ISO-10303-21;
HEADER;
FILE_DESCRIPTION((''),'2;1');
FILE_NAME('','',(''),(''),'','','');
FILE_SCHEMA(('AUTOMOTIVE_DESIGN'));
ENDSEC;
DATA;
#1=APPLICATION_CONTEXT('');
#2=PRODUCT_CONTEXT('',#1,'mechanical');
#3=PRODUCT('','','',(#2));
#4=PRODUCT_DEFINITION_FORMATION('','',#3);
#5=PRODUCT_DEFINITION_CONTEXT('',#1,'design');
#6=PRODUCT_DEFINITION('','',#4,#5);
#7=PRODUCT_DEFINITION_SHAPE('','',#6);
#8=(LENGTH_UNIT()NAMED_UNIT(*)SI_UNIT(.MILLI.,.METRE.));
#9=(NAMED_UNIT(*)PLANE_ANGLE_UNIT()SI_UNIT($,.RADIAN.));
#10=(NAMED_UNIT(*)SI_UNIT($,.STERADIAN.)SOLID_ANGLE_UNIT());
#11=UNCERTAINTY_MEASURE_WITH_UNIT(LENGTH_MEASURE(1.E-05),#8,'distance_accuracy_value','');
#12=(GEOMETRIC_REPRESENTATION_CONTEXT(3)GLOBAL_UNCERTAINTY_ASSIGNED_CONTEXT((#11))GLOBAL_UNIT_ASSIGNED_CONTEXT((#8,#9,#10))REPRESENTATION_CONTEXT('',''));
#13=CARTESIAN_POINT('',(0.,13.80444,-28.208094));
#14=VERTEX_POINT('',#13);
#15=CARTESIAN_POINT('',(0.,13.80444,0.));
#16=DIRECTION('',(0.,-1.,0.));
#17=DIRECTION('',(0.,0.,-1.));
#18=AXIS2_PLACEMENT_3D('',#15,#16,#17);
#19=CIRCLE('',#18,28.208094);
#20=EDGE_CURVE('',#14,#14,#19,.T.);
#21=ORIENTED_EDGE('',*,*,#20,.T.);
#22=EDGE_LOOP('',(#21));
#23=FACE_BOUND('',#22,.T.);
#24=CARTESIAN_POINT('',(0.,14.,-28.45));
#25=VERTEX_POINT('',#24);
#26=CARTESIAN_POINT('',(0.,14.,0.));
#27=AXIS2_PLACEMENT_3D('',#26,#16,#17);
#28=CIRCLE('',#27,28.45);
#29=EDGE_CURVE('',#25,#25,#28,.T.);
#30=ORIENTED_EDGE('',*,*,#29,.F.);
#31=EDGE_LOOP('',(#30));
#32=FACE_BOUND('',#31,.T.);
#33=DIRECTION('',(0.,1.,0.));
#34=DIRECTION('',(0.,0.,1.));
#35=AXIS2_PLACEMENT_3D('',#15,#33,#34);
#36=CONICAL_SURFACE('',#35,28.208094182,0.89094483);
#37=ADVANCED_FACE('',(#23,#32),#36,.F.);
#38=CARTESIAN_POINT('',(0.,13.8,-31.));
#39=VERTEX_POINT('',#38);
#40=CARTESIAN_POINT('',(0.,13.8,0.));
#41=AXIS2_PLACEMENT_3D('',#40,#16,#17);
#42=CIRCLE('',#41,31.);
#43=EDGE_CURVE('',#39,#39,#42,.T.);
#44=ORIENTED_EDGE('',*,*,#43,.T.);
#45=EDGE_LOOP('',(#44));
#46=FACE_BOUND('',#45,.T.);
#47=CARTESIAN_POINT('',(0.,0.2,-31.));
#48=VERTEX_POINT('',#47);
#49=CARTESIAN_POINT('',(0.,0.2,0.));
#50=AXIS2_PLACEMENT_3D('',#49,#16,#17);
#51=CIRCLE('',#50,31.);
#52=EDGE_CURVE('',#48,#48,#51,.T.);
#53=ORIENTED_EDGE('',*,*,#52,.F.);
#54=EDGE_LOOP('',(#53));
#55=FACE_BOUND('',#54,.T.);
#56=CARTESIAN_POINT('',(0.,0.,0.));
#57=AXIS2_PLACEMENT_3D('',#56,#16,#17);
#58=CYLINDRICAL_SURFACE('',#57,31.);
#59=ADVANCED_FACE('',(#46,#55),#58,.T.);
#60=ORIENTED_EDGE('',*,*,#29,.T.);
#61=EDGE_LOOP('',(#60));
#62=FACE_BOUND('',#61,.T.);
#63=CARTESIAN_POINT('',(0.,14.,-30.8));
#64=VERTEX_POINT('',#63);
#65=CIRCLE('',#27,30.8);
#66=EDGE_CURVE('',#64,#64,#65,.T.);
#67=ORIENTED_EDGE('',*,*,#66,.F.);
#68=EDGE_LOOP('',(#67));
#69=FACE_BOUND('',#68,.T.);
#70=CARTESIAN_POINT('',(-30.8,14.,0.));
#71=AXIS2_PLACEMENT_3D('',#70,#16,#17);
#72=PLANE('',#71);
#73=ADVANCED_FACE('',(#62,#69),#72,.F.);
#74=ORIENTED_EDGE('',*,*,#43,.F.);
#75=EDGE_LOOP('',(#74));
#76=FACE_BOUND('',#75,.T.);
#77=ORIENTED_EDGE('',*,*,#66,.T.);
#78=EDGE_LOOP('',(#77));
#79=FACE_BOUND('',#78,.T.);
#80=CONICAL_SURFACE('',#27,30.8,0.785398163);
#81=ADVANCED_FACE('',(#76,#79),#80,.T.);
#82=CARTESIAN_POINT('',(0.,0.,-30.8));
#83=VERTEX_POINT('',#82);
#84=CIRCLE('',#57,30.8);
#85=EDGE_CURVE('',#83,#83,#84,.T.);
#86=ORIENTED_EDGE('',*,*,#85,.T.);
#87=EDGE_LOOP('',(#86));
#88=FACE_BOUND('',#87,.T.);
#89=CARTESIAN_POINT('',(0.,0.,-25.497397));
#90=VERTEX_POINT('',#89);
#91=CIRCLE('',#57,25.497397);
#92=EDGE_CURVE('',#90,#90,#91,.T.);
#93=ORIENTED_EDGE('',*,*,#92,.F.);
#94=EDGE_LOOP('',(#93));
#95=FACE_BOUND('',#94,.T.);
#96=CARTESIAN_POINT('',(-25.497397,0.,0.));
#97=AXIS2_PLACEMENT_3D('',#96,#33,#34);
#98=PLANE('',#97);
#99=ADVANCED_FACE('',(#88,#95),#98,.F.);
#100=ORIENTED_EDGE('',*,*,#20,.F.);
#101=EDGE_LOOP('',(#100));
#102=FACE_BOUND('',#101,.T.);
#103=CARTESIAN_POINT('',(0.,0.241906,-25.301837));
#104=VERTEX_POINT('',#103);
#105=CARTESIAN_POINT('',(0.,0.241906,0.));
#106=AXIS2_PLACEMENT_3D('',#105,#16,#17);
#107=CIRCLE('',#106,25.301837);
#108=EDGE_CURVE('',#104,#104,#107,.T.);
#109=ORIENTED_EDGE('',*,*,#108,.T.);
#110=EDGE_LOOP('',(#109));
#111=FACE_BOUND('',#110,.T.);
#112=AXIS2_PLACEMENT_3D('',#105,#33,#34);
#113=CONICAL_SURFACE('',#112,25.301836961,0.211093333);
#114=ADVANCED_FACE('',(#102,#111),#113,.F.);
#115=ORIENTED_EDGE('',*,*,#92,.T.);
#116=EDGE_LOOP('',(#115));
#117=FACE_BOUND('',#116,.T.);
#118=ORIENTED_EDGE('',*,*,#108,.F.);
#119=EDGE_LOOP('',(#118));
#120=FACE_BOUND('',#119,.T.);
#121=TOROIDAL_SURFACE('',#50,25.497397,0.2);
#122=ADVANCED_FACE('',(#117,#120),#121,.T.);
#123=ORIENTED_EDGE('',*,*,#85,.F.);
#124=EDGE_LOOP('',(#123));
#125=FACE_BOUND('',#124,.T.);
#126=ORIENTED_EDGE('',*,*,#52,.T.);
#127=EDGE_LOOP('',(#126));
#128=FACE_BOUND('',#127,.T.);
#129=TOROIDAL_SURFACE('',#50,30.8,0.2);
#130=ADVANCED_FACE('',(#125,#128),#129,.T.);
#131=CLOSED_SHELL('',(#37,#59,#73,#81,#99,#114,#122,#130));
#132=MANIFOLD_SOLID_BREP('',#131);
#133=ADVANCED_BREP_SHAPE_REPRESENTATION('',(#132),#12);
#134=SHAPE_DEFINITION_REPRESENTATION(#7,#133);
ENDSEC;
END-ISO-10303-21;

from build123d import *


with BuildPart() as part:
    # Çizim1 → Döndür1 (revolve)
    with BuildSketch(Plane.XY, mode=Mode.PRIVATE) as d_nd_r1_sk:
        with BuildLine():
            Line((-25.497397444, 0), (-30.8, 0))
            ThreePointArc((-30.8, 0), (-30.941421356, 0.058578644), (-31, 0.2))
            Line((-31, 0.2), (-31, 13.8))
            Line((-31, 13.8), (-30.8, 14))
            Line((-30.8, 14), (-28.45, 14))
            Line((-28.45, 14), (-28.208094182, 13.804439517))
            Line((-28.208094182, 13.804439517), (-25.301836961, 0.241905818))
            ThreePointArc((-25.301836961, 0.241905818), (-25.341864226, 0.074264491), (-25.497397444, 0))
        make_face()
    revolve(d_nd_r1_sk.sketch.rotate(Axis((0, 0, 0), (0, 1, 0)), 270), axis=Axis((0, 0, 0), (0, 1, 0)))


solid = part.part
